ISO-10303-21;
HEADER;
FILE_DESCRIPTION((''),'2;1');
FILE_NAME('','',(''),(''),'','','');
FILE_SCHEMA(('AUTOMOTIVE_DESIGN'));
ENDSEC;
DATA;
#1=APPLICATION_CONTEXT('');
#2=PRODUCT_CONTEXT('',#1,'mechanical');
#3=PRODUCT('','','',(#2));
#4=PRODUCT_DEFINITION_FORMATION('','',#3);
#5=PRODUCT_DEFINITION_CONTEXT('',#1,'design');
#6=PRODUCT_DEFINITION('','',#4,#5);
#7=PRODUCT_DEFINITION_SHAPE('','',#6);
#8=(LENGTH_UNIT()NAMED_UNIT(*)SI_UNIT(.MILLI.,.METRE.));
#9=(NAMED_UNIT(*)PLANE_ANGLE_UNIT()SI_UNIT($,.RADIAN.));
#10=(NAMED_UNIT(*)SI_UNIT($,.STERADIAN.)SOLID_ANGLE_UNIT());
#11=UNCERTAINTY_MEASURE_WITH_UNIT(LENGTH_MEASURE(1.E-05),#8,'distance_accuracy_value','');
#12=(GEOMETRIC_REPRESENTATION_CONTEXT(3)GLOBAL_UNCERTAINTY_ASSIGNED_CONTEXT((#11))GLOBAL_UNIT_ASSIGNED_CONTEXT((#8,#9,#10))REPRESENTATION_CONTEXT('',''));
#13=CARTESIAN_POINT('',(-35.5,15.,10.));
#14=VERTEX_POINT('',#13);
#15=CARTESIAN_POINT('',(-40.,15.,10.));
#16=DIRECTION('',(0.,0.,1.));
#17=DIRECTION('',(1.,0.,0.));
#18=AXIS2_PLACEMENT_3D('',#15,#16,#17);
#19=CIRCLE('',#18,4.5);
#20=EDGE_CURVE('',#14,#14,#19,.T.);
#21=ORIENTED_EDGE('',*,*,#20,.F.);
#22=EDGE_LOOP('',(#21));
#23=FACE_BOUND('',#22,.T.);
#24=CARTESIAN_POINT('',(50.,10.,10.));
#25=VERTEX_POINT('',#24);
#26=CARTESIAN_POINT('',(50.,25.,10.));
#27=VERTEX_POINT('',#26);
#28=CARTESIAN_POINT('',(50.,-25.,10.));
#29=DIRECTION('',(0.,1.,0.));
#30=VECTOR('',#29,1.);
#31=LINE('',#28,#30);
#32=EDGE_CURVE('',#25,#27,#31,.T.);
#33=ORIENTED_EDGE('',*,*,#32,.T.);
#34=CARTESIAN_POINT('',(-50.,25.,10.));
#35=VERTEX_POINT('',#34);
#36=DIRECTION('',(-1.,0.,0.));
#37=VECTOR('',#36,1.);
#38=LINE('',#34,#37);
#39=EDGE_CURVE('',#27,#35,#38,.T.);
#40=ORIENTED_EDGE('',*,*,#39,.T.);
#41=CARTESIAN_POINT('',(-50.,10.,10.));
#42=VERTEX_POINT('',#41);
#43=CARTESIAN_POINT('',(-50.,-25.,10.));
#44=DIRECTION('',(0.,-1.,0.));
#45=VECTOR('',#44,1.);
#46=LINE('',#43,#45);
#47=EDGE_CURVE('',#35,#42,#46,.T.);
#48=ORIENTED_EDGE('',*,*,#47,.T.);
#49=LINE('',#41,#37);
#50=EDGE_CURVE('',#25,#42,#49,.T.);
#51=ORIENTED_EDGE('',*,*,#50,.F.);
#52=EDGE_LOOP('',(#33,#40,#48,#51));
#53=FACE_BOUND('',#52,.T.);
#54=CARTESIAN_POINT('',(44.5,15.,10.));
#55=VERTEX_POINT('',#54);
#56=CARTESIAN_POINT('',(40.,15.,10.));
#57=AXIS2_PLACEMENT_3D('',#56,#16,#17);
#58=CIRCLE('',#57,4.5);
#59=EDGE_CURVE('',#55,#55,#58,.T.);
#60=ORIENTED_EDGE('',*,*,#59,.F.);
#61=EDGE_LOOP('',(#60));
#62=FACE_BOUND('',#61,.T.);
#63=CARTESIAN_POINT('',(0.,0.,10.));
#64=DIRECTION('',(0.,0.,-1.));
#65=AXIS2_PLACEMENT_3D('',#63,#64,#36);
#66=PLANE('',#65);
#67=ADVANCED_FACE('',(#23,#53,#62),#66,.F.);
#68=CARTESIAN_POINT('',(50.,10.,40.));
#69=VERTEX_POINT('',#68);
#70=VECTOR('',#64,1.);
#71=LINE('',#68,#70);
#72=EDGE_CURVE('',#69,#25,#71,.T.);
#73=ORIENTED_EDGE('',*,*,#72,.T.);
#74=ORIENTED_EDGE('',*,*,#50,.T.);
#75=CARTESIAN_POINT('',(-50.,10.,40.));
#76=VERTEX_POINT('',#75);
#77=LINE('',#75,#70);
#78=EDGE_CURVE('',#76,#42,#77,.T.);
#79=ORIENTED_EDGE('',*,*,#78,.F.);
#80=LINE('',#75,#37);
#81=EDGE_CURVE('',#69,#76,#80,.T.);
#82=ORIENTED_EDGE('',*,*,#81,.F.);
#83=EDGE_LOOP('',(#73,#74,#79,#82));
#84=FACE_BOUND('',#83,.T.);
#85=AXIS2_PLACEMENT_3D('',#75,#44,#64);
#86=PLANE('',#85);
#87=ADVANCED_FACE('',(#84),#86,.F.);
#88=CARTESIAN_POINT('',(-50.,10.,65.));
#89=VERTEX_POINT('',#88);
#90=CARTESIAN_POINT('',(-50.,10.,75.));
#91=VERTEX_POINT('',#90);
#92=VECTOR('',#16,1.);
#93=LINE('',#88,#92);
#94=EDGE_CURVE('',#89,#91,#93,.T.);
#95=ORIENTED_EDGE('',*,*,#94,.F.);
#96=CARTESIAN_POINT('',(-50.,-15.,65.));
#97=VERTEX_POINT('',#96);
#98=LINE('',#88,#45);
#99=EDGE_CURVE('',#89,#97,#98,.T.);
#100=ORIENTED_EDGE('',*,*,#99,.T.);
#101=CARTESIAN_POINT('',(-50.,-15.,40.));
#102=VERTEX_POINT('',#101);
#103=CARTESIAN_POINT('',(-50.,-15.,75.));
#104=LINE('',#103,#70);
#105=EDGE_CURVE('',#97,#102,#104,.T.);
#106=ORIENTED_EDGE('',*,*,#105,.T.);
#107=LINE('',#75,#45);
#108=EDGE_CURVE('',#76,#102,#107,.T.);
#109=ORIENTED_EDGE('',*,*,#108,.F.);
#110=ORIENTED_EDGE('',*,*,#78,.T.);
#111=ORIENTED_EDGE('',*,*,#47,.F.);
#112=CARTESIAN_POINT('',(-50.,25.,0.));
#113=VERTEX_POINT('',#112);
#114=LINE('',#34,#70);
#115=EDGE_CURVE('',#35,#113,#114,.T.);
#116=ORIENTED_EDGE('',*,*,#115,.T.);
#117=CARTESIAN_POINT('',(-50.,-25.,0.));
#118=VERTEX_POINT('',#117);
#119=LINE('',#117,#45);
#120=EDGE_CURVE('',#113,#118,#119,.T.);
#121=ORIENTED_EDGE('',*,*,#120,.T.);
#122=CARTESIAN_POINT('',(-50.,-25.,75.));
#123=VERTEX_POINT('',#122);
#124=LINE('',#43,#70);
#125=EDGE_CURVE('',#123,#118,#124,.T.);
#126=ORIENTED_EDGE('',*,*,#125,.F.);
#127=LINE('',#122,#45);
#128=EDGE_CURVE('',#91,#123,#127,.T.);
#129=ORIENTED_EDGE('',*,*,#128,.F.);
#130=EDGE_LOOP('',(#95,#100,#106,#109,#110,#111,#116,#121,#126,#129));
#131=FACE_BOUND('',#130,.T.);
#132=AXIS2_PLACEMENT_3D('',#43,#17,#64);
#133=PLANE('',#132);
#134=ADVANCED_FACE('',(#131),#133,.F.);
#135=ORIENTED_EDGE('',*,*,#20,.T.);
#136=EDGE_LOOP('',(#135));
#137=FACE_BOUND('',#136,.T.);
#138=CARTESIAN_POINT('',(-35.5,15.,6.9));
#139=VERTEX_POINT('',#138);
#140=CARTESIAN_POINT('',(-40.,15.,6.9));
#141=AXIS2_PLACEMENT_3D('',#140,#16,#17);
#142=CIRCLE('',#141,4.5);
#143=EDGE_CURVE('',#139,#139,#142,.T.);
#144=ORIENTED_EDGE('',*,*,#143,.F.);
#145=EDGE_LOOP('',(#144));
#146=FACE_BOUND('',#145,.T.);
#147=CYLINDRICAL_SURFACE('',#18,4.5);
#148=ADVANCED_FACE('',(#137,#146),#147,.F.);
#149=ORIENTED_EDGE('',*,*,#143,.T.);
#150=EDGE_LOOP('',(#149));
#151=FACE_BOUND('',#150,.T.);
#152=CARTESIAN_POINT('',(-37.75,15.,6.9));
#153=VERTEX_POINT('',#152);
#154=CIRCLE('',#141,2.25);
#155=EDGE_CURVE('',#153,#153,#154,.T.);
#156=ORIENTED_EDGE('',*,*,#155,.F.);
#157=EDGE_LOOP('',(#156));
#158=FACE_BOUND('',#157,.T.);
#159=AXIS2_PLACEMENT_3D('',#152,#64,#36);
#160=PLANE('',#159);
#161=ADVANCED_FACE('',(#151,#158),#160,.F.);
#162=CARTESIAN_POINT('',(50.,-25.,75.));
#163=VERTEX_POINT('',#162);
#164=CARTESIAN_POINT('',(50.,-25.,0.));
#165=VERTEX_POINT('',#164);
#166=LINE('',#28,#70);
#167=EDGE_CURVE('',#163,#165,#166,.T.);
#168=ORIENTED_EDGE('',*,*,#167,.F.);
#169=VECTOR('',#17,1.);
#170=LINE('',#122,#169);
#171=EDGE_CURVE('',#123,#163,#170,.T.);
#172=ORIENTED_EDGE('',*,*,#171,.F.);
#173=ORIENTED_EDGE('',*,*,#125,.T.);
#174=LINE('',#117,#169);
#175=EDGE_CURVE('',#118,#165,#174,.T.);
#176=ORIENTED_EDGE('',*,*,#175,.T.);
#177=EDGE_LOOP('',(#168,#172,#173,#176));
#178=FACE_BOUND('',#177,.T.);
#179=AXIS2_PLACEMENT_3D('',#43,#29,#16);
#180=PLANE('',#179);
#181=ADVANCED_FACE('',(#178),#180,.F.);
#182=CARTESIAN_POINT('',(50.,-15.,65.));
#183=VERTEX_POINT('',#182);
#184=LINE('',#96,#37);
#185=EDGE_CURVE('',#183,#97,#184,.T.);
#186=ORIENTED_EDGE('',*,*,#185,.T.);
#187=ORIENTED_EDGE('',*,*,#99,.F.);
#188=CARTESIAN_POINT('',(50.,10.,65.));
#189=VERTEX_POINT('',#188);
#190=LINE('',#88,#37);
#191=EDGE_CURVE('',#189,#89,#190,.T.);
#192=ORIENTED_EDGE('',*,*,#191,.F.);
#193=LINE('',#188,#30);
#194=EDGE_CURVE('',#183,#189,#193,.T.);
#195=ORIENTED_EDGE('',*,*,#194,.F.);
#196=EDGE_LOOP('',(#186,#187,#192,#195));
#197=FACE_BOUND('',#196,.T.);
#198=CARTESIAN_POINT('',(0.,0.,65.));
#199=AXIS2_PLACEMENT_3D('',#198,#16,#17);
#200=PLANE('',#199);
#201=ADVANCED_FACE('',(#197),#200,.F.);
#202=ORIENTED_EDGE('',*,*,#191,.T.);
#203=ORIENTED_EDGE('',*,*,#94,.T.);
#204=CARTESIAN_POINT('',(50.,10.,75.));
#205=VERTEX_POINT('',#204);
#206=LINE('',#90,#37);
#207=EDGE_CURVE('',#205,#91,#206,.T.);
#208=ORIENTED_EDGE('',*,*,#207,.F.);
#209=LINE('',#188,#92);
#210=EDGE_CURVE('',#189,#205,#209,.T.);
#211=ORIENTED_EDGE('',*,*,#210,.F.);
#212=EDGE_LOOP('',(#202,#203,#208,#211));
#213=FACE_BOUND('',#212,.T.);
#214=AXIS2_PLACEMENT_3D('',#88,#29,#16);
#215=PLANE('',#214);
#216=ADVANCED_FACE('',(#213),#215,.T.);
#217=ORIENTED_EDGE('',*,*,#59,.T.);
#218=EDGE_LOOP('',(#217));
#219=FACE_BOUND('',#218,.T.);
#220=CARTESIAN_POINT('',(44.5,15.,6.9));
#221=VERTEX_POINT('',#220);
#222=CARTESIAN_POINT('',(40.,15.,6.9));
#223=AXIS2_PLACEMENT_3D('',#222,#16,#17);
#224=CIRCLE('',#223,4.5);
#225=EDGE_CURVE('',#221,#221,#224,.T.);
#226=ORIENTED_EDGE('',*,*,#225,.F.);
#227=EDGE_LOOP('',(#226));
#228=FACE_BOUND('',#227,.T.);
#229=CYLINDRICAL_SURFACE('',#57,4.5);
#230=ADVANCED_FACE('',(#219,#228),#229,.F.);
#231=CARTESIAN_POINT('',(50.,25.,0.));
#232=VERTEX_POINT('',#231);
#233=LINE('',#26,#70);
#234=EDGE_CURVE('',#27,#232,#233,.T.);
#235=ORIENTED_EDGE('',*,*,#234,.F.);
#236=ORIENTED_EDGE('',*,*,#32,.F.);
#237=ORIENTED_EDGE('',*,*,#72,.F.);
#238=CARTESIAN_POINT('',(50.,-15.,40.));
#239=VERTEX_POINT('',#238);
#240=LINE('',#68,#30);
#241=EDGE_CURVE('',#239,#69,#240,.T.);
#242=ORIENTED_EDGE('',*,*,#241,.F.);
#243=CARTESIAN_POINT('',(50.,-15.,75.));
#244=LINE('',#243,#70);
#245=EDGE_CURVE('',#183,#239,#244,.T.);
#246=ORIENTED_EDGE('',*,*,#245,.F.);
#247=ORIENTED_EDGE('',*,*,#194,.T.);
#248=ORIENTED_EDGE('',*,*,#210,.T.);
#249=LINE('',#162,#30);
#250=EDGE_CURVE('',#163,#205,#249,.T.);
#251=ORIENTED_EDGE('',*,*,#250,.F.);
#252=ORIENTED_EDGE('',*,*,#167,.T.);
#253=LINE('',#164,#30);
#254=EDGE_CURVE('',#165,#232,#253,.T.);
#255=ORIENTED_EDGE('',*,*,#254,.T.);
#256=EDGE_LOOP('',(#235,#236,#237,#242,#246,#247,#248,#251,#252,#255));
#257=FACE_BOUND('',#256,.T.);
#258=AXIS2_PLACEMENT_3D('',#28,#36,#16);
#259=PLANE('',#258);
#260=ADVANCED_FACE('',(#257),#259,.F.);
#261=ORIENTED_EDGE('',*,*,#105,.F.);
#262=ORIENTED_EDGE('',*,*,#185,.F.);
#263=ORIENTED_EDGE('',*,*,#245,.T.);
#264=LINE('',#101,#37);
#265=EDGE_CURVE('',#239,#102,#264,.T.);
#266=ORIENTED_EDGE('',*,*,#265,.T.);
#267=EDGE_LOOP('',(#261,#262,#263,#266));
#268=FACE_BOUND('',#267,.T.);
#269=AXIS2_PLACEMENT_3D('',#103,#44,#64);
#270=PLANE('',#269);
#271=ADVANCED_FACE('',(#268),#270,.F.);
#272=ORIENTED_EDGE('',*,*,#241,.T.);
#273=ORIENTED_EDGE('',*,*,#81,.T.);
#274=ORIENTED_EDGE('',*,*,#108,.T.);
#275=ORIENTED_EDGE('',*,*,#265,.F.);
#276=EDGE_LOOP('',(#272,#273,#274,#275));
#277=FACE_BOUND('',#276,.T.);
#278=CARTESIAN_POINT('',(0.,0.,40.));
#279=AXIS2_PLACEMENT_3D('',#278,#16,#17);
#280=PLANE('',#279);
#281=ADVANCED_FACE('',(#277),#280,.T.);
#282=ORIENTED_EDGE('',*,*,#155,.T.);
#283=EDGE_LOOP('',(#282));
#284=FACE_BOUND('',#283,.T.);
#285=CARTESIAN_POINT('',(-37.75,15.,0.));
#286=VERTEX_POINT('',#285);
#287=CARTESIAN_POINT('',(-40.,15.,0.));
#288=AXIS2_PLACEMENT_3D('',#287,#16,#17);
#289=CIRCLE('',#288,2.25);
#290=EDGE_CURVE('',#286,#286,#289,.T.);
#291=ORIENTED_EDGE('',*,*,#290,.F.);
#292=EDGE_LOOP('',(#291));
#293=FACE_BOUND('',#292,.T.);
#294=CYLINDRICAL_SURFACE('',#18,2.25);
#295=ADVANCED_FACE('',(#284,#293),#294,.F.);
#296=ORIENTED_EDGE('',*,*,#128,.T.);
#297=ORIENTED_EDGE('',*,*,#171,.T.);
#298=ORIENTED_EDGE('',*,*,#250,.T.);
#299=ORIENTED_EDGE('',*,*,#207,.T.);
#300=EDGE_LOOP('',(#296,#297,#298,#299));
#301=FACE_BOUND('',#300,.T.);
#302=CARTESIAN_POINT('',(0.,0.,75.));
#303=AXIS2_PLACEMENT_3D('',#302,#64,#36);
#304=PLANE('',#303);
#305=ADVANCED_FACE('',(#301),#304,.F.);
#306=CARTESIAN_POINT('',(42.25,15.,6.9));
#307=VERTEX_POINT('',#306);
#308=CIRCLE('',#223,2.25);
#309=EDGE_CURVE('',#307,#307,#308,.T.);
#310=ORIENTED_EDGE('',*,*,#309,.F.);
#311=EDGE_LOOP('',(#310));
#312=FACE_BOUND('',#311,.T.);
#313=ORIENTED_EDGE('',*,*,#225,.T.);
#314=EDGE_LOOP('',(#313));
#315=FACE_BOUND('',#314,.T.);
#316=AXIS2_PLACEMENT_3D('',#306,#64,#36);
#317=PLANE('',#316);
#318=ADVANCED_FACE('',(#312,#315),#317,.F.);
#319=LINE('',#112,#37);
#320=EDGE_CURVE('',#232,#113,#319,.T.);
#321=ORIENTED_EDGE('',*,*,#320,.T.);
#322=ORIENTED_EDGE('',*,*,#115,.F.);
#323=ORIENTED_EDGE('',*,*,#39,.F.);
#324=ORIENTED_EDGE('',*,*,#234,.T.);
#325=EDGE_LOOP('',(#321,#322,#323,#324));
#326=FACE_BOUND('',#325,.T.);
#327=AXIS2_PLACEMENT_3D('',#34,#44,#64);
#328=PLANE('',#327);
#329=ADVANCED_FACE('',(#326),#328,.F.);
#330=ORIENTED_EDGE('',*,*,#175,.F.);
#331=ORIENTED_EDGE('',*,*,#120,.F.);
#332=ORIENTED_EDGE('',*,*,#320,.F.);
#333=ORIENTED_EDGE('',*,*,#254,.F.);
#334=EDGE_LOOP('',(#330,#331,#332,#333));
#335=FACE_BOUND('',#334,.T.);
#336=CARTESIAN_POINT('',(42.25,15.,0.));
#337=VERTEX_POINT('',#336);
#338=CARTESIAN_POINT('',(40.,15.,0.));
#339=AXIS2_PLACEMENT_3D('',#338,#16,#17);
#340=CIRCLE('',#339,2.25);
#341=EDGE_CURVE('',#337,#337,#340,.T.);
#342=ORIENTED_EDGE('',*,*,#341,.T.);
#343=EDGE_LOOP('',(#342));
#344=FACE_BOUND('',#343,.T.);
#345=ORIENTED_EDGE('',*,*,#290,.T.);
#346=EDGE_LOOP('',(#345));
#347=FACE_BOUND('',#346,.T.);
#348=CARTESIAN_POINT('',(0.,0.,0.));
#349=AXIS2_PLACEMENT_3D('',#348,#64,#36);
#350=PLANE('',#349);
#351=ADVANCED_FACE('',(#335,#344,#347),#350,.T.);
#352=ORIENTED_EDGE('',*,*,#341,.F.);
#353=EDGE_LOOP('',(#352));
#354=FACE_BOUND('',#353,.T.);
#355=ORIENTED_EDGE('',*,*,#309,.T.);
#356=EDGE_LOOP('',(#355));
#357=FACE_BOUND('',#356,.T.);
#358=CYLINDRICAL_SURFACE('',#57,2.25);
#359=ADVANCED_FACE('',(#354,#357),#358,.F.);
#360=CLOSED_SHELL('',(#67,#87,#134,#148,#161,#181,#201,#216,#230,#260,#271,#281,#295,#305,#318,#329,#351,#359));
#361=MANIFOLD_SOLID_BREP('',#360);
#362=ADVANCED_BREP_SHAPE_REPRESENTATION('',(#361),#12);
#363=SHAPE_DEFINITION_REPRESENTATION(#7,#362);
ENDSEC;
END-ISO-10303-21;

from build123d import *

# Parameters (mm, degrees)
CROQUIS1_W                                           = 100
CROQUIS1_H                                           = 50
SALIENTE_EXTRUIR1_DEPTH                              = 10
CROQUIS2_W                                           = 100
CROQUIS2_H                                           = 10
SALIENTE_EXTRUIR2_DEPTH                              = 75
CROQUIS3_W                                           = 100
CROQUIS3_H                                           = 35
SALIENTE_EXTRUIR3_DEPTH                              = 10
REFRENTADO_PARA_TORNILLO_CON_CABEZA_TRON_D           = 4.5
REFRENTADO_PARA_TORNILLO_CON_CABEZA_TRON_CBORE_D     = 9
REFRENTADO_PARA_TORNILLO_CON_CABEZA_TRON_CBORE_DEPTH = 3.1
CROQUIS11_W                                          = 100
CROQUIS11_H                                          = 35
SALIENTE_EXTRUIR4_DEPTH                              = 30


with BuildPart() as part:
    # Croquis1 → Saliente-Extruir1 (new body)
    with BuildSketch(Plane.XY):
        Rectangle(CROQUIS1_W, CROQUIS1_H)
    extrude(amount=SALIENTE_EXTRUIR1_DEPTH)

    # Croquis2 → Saliente-Extruir2 (add)
    with BuildSketch(Plane.XY):
        with Locations((0, -20)):
            Rectangle(CROQUIS2_W, CROQUIS2_H)
    extrude(amount=SALIENTE_EXTRUIR2_DEPTH)

    # Croquis3 → Saliente-Extruir3 (add)
    with BuildSketch(Plane.XY.offset(75)):
        with Locations((0, -7.5)):
            Rectangle(CROQUIS3_W, CROQUIS3_H)
    extrude(amount=-SALIENTE_EXTRUIR3_DEPTH)

    # Refrentado para tornillo con cabeza troncocónica de M43 (through all)
    with Locations(Plane(origin=(-40, 15, 10), x_dir=(1, 0, 0), z_dir=(0, 0, 1))):
        with Locations((0, 0), (80, 0)):
            CounterBoreHole(REFRENTADO_PARA_TORNILLO_CON_CABEZA_TRON_D / 2, REFRENTADO_PARA_TORNILLO_CON_CABEZA_TRON_CBORE_D / 2, REFRENTADO_PARA_TORNILLO_CON_CABEZA_TRON_CBORE_DEPTH)

    # Croquis11 → Saliente-Extruir4 (add)
    with BuildSketch(Plane.XY.offset(10)):
        with Locations((0, -7.5)):
            Rectangle(CROQUIS11_W, CROQUIS11_H)
    extrude(amount=SALIENTE_EXTRUIR4_DEPTH)


solid = part.part
